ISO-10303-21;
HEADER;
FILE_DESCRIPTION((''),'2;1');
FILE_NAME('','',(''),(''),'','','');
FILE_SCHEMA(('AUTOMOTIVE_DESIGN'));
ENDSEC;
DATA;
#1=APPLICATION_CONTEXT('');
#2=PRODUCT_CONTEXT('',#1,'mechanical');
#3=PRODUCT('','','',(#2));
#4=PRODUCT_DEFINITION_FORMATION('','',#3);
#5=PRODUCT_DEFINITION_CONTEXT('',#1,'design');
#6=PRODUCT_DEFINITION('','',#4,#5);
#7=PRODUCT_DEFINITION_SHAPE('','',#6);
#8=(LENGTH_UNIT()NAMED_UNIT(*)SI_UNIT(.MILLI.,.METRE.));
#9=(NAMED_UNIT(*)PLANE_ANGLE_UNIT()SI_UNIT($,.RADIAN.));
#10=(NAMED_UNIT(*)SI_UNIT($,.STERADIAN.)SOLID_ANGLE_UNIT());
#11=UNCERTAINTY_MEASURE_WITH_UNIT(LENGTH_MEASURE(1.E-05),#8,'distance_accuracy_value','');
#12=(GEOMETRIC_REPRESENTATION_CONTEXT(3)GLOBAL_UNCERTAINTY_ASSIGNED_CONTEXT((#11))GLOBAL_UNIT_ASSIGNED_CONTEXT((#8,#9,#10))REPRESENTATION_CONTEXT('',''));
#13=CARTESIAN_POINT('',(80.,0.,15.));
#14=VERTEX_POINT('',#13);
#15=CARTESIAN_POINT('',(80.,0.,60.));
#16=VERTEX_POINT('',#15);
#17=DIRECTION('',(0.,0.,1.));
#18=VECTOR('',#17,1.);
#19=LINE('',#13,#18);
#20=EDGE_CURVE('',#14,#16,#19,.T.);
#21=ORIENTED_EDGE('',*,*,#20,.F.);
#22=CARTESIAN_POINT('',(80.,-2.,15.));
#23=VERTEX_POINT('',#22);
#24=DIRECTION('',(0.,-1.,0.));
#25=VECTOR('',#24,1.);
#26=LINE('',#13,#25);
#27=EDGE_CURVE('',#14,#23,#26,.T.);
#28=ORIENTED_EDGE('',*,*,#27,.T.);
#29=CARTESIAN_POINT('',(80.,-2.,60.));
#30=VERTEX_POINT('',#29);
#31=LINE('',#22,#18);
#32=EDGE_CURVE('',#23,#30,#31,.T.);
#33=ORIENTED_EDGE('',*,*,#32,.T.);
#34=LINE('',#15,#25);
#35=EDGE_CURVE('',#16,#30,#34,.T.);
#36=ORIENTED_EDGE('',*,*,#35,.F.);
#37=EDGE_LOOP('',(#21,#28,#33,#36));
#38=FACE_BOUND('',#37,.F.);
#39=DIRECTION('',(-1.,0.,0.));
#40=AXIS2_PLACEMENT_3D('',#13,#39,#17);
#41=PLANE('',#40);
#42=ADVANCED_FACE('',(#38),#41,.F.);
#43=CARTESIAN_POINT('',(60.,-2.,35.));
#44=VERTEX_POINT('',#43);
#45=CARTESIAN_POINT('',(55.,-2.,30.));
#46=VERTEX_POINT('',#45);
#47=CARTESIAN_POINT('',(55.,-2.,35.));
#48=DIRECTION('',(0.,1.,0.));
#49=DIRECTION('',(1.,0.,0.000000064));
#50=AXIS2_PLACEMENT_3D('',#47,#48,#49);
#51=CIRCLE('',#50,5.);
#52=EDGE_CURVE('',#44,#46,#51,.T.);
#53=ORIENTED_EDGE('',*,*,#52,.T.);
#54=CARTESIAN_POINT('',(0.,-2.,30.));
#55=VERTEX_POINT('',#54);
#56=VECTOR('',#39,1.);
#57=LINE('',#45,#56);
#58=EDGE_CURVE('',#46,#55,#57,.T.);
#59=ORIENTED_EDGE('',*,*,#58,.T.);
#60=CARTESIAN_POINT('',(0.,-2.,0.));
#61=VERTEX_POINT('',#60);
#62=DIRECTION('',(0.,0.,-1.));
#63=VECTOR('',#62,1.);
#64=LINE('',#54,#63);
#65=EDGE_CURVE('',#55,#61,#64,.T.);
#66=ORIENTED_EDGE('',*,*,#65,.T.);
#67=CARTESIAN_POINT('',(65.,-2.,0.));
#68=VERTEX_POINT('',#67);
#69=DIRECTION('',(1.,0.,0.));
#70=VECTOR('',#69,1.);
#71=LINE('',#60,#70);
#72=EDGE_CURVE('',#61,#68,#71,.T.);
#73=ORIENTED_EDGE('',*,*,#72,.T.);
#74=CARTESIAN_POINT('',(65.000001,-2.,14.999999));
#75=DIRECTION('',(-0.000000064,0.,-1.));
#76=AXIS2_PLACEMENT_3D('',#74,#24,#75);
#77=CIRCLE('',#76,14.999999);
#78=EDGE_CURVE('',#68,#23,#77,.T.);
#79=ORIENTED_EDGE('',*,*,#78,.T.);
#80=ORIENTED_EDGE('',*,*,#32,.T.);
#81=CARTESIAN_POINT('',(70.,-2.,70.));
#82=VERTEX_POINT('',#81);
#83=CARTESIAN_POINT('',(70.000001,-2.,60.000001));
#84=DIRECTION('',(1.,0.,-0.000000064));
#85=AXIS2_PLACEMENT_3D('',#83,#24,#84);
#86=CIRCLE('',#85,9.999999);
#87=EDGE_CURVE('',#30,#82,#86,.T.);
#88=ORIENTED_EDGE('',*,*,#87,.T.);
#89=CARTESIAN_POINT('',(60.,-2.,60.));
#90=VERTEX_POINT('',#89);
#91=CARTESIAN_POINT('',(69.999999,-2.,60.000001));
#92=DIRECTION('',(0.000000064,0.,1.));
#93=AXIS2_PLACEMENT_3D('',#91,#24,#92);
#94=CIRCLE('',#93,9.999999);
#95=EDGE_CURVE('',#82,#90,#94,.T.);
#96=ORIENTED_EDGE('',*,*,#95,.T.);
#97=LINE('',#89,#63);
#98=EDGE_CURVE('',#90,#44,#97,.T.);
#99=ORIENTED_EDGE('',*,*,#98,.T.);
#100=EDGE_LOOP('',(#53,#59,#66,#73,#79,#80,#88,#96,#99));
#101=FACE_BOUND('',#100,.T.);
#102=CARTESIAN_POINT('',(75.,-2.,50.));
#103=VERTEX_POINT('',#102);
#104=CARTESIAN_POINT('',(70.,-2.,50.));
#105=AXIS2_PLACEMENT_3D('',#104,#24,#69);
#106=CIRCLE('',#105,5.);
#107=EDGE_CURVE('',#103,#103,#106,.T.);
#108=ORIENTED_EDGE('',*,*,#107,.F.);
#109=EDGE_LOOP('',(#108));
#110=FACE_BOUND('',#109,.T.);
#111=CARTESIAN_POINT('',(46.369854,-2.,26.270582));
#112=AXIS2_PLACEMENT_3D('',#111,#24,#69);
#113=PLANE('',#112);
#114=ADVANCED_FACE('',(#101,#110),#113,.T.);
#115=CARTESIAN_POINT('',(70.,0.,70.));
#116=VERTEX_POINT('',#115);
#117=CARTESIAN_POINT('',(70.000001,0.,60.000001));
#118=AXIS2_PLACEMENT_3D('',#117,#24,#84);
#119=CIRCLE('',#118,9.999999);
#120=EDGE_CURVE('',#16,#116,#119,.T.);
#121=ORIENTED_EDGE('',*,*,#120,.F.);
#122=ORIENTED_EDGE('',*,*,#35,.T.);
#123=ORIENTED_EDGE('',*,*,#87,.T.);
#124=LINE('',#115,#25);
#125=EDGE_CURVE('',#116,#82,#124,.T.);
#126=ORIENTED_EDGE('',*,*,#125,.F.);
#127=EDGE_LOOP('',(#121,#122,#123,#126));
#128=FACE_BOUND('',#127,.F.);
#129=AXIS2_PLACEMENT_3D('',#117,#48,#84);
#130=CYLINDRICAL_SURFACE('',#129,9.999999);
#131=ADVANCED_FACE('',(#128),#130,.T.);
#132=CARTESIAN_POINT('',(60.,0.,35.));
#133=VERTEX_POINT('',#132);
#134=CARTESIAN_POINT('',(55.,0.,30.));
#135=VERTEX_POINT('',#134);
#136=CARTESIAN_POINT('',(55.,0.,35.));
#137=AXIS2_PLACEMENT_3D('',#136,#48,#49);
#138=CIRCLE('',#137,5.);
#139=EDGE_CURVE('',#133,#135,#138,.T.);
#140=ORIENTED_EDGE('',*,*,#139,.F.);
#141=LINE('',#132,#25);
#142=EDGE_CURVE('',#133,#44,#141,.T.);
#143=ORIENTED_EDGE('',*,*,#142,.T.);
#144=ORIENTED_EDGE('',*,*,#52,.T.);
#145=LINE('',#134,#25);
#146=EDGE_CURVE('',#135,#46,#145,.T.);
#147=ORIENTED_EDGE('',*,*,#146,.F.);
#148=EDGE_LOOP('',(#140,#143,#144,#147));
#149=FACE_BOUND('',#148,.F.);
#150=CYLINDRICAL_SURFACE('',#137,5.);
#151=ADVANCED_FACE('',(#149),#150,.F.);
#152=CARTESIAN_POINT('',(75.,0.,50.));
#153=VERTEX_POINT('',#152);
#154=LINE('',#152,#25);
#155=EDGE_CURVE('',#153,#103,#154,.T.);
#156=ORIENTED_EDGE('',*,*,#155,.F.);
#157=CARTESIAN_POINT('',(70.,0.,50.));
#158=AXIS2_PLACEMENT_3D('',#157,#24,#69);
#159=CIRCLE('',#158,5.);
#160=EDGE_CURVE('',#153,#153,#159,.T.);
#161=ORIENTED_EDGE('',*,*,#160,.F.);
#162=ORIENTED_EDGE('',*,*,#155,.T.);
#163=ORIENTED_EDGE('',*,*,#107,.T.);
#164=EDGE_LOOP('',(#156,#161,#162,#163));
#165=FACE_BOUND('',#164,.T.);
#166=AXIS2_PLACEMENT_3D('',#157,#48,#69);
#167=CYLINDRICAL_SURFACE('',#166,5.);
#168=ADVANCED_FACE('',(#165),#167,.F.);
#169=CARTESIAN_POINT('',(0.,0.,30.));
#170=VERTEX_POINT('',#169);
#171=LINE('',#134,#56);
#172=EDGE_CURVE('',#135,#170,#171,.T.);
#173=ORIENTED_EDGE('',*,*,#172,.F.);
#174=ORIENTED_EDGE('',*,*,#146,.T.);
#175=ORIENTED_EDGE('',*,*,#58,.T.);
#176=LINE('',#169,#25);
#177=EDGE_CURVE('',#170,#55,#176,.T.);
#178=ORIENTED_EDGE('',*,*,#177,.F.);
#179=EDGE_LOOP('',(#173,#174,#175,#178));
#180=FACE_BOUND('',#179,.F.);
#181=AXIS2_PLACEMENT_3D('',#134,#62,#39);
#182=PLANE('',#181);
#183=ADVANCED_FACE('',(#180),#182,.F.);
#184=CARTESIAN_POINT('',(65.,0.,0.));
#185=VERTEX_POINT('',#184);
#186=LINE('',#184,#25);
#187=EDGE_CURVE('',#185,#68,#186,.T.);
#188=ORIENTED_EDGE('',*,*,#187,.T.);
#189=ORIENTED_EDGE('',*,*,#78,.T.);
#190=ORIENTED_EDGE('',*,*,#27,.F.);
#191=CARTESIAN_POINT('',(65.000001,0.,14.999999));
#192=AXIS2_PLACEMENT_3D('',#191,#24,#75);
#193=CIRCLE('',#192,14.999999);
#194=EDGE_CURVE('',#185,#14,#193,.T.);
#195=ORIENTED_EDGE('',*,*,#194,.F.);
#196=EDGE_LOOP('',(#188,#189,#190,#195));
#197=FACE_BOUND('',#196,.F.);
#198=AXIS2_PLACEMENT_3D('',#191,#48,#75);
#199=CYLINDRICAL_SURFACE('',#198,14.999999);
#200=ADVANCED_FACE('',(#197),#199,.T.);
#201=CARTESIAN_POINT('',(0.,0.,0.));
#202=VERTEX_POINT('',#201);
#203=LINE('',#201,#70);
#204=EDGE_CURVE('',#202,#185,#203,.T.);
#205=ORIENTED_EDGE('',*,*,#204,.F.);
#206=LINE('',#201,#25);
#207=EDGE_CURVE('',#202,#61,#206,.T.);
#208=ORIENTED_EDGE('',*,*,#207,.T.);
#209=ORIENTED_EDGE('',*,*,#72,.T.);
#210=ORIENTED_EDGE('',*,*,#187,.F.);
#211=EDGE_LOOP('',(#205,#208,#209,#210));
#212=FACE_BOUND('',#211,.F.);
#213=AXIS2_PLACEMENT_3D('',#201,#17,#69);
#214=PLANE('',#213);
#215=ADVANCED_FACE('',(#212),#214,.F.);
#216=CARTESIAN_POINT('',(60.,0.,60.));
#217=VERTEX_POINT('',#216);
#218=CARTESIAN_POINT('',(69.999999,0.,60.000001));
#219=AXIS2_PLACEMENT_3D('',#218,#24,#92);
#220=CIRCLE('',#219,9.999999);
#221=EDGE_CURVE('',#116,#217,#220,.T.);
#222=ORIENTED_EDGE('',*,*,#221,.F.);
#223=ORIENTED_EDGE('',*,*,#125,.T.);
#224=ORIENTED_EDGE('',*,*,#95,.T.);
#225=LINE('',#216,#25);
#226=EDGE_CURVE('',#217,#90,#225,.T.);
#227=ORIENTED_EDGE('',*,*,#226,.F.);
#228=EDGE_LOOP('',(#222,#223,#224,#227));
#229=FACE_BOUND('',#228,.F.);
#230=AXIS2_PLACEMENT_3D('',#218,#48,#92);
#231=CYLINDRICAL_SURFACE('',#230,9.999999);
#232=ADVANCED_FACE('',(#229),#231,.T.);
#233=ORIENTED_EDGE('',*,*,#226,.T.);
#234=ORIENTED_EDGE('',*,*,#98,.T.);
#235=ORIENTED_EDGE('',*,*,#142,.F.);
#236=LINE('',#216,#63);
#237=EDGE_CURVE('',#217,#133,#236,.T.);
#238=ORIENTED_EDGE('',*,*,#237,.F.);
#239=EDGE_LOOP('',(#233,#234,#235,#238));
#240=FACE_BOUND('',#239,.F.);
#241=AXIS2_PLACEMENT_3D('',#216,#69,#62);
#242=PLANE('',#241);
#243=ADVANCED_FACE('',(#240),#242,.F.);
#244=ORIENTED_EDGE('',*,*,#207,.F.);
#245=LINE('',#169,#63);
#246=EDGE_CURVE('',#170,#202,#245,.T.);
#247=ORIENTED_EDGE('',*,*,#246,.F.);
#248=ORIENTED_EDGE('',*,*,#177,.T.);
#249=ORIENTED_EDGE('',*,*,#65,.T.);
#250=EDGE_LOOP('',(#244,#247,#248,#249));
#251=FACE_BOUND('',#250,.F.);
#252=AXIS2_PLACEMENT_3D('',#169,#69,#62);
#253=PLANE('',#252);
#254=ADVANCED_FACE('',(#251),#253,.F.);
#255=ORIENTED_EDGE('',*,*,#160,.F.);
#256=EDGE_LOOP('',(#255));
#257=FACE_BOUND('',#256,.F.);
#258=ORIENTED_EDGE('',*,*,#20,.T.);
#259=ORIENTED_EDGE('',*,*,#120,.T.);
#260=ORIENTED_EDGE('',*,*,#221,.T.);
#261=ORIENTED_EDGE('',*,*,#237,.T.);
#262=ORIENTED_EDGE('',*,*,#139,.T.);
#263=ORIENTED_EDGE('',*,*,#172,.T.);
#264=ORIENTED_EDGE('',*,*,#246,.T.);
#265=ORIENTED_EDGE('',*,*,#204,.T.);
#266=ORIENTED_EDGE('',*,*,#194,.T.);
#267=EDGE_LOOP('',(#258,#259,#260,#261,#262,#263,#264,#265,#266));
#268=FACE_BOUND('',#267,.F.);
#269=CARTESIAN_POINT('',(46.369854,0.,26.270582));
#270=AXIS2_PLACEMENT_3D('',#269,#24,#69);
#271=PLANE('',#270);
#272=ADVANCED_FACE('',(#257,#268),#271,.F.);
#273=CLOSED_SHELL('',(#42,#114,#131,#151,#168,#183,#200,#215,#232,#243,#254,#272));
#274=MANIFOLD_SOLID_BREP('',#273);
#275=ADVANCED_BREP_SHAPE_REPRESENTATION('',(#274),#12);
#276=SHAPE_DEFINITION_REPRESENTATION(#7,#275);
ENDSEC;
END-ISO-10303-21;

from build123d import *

# Parameters (mm, degrees)
F0_R     = 5
F1_DEPTH = 2


with BuildPart() as f1:
    # F0 (on Front) → F1 (new body)
    with BuildSketch(Plane.XZ):
        with BuildLine():
            Line((0, 30), (0, 0))
            Line((0, 0), (65, 0))
            ThreePointArc((65, 0), (75.606602, 4.393398), (80, 15))
            Line((80, 15), (80, 60))
            ThreePointArc((80, 60), (77.071068, 67.071068), (70, 70))
            ThreePointArc((70, 70), (62.928932, 67.071068), (60, 60))
            Line((60, 60), (60, 35))
            ThreePointArc((60, 35), (58.535534, 31.464466), (55, 30))
            Line((55, 30), (0, 30))
        make_face()
        with Locations((70, 50)):
            Circle(F0_R, mode=Mode.SUBTRACT)
    extrude(amount=F1_DEPTH)


solid = f1.part
